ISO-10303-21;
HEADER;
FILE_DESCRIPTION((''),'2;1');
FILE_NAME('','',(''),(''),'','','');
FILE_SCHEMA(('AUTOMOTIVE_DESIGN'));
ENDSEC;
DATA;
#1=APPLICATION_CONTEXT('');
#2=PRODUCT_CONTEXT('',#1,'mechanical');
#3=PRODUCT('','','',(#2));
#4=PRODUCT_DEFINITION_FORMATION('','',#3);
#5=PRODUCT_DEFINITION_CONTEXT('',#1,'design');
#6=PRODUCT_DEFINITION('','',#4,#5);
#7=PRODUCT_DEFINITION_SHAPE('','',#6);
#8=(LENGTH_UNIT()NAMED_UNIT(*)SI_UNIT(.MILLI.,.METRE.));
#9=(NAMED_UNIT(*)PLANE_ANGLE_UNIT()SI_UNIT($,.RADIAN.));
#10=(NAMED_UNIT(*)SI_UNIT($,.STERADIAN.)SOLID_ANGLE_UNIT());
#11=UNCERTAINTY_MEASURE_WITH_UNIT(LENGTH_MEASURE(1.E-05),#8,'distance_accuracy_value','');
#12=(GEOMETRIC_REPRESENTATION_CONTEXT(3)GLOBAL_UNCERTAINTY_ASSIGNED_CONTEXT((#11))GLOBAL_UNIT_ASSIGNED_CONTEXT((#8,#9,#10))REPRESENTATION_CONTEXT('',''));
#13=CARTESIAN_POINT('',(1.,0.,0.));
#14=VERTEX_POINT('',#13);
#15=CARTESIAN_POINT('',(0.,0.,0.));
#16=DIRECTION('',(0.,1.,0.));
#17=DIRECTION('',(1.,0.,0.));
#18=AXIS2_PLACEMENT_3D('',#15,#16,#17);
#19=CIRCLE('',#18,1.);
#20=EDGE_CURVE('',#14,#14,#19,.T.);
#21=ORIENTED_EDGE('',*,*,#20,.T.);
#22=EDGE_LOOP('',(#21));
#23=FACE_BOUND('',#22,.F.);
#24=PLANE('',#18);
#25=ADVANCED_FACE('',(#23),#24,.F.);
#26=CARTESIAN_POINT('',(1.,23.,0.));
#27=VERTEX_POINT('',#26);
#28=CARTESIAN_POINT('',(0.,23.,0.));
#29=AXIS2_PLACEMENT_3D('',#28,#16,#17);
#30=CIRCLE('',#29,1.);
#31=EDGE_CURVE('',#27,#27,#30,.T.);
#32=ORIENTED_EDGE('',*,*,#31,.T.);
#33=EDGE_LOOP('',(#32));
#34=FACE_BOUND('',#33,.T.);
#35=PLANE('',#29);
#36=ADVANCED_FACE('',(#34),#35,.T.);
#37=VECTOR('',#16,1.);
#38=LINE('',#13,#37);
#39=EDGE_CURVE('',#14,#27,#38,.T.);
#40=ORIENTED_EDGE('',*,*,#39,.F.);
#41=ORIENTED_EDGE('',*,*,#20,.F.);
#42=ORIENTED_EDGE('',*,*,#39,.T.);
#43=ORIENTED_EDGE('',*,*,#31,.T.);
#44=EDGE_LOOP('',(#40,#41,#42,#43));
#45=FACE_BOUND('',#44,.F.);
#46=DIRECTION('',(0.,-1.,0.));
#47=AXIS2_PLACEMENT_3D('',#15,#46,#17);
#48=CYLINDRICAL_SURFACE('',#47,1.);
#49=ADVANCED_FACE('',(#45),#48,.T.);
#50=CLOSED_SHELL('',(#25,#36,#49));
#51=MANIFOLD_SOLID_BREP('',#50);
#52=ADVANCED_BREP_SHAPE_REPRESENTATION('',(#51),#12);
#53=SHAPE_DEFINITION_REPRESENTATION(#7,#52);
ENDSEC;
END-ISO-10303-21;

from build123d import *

# Parameters (mm, degrees)
SKETCH_1_R      = 1
EXTRUDE_1_DEPTH = 23


with BuildPart() as part:
    # Эскиз1 → Бобышка-Вытянуть1 (new body)
    with BuildSketch(Plane(origin=(0, 0, 0), x_dir=(1, 0, 0), z_dir=(0, 1, 0))):
        Circle(SKETCH_1_R)
    extrude(amount=EXTRUDE_1_DEPTH)


solid = part.part
